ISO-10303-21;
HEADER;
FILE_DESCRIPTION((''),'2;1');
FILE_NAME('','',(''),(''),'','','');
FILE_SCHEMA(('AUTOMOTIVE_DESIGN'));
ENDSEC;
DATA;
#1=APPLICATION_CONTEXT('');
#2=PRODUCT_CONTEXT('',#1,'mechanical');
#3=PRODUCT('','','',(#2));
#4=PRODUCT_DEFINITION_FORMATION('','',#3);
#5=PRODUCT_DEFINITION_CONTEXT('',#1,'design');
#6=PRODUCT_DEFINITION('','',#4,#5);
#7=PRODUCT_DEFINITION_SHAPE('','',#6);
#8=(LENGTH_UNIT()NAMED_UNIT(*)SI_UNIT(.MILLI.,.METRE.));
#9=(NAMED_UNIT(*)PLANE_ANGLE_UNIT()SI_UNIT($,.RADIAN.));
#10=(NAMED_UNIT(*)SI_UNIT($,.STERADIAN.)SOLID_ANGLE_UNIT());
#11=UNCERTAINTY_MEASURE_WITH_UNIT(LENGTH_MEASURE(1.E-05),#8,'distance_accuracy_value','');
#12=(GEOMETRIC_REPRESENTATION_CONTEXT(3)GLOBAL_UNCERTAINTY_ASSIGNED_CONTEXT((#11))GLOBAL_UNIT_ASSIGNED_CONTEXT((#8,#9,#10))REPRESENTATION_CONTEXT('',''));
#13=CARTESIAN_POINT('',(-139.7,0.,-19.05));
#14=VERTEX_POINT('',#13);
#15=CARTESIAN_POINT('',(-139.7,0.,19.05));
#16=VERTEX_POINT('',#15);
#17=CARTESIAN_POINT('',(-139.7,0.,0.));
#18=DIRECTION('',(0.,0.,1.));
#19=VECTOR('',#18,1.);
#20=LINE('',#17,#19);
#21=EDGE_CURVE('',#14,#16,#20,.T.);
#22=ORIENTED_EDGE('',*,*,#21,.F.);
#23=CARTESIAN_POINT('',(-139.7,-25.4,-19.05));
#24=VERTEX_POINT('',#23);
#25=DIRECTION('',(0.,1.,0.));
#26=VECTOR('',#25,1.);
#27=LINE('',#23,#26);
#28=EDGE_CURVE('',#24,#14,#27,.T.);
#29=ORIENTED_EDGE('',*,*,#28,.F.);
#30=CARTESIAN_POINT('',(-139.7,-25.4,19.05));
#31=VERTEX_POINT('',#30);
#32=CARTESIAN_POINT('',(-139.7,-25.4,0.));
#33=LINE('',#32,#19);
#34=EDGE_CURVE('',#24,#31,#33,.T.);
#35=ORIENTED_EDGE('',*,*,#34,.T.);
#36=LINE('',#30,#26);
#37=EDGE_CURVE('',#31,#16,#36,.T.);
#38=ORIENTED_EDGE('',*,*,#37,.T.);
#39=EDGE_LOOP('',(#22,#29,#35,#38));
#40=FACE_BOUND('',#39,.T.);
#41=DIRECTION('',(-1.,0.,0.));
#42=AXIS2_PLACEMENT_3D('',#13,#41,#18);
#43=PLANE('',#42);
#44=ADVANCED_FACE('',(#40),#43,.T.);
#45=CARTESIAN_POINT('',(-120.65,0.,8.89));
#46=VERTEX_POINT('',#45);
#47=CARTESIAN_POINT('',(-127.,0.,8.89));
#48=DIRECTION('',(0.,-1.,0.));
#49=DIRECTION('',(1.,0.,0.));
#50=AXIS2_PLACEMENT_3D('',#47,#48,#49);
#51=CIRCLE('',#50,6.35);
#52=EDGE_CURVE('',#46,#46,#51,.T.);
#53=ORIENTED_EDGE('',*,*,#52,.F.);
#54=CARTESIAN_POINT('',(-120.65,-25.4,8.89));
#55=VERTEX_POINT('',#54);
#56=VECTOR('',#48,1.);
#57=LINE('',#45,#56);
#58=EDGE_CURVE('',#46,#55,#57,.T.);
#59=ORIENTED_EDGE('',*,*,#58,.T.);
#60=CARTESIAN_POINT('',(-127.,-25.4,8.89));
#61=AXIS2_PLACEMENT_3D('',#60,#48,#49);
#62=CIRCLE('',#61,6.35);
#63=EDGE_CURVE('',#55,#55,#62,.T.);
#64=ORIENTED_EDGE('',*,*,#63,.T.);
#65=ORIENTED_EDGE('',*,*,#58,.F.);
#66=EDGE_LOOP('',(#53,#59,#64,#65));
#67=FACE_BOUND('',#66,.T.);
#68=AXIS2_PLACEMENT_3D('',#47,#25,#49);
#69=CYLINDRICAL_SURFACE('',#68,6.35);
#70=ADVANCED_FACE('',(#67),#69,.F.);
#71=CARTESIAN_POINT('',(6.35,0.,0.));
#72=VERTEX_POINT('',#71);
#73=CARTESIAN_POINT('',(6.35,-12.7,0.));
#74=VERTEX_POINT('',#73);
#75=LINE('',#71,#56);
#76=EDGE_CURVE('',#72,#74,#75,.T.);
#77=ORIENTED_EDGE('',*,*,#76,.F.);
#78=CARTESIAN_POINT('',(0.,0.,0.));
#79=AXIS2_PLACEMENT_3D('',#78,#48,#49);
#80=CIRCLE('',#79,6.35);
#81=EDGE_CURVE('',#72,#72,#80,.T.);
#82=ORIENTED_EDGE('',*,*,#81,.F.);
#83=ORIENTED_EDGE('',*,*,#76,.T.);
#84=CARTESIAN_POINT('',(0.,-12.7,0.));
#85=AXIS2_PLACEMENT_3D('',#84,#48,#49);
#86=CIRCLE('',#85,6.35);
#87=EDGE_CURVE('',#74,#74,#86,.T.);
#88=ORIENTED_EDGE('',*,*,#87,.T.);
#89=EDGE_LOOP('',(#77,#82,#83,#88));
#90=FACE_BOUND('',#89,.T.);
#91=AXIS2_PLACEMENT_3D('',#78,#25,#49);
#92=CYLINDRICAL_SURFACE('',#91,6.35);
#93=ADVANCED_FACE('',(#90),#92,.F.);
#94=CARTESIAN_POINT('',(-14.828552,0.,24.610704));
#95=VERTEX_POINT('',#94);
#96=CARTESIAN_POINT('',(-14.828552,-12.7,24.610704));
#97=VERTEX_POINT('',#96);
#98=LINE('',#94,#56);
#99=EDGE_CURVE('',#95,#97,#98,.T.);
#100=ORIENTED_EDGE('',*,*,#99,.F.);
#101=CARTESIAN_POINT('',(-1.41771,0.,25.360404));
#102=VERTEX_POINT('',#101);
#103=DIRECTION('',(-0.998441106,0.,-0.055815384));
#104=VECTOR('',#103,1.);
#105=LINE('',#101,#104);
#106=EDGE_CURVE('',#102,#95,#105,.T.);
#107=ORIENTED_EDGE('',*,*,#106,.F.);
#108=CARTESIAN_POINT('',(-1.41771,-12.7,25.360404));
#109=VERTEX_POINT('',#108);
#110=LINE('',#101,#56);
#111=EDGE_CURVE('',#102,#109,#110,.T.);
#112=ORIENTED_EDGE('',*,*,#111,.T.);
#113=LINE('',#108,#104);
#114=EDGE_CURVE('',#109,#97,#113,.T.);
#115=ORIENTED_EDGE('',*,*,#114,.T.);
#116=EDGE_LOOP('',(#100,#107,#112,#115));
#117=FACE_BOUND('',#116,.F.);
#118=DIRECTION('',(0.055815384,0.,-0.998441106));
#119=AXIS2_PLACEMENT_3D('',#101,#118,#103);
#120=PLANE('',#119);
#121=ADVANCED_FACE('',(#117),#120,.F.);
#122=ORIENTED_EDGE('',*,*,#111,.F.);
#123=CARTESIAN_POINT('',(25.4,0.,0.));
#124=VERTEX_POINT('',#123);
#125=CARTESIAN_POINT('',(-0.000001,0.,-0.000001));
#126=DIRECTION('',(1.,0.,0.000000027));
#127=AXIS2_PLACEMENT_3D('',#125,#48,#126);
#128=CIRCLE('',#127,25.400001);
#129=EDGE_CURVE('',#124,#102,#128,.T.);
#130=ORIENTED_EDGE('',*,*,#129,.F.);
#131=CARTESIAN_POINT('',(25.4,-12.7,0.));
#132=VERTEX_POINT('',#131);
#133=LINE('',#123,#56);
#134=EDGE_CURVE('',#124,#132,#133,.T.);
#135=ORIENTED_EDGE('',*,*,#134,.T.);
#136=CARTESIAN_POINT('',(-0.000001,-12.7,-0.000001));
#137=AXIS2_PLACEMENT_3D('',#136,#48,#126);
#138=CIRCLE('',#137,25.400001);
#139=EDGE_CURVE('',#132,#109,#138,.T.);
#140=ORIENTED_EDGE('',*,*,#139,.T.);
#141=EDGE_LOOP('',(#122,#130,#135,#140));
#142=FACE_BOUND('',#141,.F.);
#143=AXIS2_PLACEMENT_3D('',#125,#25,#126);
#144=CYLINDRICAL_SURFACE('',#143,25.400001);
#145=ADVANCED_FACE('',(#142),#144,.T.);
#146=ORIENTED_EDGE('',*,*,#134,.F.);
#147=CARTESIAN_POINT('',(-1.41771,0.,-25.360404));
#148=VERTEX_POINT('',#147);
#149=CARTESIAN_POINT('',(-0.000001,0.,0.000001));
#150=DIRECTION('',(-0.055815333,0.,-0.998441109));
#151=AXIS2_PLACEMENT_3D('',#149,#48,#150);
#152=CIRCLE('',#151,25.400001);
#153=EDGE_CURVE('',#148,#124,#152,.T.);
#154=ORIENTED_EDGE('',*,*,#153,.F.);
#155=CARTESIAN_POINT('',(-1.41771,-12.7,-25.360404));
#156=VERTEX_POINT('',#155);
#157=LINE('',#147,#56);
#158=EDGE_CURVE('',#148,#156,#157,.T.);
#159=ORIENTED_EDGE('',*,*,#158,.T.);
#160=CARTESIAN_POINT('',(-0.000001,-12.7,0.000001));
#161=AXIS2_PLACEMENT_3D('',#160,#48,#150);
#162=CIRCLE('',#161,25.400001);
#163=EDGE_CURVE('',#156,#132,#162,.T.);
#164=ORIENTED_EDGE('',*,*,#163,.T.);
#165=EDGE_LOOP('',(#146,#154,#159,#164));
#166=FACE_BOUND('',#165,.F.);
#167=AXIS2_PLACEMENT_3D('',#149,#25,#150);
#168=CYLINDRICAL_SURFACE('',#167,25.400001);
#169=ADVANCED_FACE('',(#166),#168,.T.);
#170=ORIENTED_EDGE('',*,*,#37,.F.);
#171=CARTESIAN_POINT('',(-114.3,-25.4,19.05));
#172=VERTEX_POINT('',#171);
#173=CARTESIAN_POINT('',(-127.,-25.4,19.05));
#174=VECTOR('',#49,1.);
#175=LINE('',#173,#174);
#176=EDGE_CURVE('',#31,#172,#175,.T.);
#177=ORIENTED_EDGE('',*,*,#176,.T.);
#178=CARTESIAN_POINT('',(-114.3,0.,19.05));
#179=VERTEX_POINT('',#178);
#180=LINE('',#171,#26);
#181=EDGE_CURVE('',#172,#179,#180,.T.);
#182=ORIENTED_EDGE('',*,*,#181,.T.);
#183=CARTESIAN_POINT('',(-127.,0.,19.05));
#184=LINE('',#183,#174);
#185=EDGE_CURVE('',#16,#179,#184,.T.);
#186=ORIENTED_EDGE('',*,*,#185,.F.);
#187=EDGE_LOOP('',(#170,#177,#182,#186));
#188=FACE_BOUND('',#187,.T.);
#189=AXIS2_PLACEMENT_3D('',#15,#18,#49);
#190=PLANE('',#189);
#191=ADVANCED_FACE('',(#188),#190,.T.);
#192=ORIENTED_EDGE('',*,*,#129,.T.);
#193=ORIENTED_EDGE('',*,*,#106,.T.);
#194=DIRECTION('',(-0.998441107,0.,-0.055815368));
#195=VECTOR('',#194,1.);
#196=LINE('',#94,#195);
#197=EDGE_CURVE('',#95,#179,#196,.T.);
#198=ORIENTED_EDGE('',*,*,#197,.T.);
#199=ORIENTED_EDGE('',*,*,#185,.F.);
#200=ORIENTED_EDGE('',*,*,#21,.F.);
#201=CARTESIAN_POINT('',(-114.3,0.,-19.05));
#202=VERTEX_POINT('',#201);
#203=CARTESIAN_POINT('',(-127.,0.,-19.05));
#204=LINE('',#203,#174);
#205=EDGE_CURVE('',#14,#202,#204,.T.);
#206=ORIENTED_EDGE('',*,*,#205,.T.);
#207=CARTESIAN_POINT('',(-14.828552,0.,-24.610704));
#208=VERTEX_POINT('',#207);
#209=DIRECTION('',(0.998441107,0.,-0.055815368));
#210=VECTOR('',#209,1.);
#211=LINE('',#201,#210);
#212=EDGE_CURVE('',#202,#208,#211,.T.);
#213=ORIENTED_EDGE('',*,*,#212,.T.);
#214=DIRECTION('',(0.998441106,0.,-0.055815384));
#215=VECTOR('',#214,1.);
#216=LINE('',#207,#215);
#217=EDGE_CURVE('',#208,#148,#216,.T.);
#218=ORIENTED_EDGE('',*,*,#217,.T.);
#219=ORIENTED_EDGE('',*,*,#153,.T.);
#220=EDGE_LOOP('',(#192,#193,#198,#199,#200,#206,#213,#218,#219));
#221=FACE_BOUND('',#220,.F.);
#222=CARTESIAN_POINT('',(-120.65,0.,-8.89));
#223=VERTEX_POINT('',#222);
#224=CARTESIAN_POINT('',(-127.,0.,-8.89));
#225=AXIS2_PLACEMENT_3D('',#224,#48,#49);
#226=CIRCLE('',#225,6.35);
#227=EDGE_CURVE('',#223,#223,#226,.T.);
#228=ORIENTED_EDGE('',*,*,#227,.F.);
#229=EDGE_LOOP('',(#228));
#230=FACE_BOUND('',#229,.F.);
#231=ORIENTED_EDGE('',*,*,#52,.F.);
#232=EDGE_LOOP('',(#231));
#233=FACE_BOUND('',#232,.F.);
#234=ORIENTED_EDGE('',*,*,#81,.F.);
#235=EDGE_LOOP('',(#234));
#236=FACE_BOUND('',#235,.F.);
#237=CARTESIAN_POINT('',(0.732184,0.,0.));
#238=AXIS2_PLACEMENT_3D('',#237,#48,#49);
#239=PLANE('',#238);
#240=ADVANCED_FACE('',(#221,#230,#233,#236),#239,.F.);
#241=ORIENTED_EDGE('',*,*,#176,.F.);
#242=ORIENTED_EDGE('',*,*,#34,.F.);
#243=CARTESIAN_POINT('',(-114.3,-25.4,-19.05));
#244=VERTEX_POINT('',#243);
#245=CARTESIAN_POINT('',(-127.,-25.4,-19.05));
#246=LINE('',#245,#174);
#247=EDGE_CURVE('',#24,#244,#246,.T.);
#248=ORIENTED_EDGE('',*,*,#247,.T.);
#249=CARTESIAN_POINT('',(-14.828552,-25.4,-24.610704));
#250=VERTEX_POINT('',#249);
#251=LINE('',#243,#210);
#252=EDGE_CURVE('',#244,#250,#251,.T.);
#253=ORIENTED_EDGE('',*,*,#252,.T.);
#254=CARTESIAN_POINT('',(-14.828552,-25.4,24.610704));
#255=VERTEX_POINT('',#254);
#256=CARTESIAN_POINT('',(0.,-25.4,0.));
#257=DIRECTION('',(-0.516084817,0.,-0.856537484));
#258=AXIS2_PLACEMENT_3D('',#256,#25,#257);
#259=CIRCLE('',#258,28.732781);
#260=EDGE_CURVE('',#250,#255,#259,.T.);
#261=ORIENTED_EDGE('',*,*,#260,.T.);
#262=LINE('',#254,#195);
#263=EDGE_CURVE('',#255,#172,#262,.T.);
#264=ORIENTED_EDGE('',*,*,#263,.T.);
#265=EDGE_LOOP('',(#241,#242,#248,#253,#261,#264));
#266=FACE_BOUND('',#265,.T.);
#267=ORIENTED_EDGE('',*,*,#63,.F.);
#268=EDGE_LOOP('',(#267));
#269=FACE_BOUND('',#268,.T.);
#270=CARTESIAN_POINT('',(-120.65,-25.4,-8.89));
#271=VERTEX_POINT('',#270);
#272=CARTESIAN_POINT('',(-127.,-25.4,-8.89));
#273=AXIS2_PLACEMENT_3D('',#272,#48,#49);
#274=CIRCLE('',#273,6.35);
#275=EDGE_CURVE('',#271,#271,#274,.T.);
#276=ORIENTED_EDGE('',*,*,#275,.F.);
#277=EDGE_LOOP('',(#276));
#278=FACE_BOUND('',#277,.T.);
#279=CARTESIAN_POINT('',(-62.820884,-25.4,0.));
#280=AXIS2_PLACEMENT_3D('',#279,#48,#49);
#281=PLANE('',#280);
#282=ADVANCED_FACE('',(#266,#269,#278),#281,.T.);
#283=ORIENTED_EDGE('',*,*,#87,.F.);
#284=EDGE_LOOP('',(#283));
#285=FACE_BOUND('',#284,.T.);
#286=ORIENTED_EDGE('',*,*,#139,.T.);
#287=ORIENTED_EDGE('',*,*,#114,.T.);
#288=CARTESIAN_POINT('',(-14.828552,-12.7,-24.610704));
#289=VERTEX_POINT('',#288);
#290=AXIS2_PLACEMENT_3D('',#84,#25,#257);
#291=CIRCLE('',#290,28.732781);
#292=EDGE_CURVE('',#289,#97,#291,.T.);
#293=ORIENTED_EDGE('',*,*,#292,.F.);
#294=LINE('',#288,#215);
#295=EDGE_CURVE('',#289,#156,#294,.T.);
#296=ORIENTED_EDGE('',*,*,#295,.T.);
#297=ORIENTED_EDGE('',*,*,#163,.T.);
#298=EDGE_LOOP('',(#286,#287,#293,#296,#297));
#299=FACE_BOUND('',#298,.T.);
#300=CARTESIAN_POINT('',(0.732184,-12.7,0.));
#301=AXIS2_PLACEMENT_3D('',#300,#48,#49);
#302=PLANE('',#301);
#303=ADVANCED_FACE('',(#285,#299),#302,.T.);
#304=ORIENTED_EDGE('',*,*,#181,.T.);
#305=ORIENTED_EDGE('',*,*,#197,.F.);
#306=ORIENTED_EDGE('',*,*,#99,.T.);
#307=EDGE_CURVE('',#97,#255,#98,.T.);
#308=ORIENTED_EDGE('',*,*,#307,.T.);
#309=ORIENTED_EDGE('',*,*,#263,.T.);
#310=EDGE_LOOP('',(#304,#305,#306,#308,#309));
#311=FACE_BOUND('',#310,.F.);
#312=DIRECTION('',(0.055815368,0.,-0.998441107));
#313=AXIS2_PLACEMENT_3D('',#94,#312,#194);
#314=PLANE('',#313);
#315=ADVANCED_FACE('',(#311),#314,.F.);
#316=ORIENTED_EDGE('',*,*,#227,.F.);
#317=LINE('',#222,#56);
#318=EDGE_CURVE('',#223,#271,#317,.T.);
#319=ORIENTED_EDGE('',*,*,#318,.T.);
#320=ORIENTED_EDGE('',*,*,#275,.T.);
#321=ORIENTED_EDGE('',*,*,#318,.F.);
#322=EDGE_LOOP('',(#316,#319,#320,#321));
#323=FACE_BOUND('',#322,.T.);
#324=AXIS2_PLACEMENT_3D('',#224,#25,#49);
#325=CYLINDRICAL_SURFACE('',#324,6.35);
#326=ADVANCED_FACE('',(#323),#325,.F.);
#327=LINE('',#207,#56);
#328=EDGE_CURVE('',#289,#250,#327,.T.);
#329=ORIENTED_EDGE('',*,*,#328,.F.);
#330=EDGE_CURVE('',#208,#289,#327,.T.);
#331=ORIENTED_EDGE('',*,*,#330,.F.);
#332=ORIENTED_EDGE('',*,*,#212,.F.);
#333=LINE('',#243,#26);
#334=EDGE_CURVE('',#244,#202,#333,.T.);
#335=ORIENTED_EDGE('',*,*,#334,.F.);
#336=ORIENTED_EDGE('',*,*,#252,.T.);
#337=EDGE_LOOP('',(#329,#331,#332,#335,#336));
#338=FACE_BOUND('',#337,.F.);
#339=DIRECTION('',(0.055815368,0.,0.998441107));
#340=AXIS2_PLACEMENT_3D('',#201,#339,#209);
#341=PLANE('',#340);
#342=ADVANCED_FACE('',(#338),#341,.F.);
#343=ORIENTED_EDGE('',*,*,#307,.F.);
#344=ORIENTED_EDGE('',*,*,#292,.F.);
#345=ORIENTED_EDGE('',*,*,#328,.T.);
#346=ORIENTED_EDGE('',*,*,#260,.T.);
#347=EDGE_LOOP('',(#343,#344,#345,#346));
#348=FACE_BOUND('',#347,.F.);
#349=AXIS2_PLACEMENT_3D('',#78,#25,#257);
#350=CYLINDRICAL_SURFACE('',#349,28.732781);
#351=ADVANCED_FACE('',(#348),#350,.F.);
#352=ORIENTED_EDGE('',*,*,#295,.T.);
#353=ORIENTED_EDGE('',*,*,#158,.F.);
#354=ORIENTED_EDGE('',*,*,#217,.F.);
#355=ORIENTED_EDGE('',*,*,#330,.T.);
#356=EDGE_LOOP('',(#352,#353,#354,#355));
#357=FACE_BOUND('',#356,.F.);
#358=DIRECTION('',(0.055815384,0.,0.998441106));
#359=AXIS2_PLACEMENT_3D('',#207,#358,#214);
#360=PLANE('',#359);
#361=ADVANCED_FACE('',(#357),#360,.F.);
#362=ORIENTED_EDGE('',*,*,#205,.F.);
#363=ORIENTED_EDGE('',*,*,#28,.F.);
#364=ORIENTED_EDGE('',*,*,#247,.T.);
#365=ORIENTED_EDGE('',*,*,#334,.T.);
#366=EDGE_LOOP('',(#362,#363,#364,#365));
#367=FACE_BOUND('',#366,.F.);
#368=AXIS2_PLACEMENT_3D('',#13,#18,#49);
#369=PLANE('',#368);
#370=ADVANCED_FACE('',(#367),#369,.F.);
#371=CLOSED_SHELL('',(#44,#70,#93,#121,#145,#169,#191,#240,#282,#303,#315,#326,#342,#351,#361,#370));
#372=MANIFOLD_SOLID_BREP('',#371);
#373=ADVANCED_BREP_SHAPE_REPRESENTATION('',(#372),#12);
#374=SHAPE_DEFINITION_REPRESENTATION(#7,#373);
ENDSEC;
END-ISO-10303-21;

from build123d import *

# Parameters (mm, degrees)
F0_R     = 6.35
F0_W     = 25.4
F0_H     = 38.1
F1_DEPTH = 12.7
F2_DEPTH = 25.4


with BuildPart() as f1:
    # F0 (on Front) → F1 (new body)
    with BuildSketch(Plane.XZ):
        with BuildLine():
            ThreePointArc((-1.41771, -25.360404), (17.452079, -18.454943), (25.4, 0))
            ThreePointArc((25.4, 0), (17.452079, 18.454943), (-1.41771, 25.360404))
            ThreePointArc((-1.41771, 25.360404), (-25.4, 0), (-1.41771, -25.360404))
        make_face()
        Circle(F0_R, mode=Mode.SUBTRACT)
        with BuildLine():
            ThreePointArc((-1.41771, -25.360404), (-25.4, 0), (-1.41771, 25.360404))
            Line((-1.41771, 25.360404), (-14.828552, 24.610704))
            ThreePointArc((-14.828552, 24.610704), (-28.732781, 0), (-14.828552, -24.610704))
            Line((-14.828552, -24.610704), (-1.41771, -25.360404))
        make_face()
        with BuildLine():
            ThreePointArc((-14.828552, -24.610704), (-28.732781, 0), (-14.828552, 24.610704))
            Line((-14.828552, 24.610704), (-114.3, 19.05))
            Line((-114.3, 19.05), (-114.3, -19.05))
            Line((-114.3, -19.05), (-14.828552, -24.610704))
        make_face()
        with Locations((-127, 0)):
            Rectangle(F0_W, F0_H)
        with Locations((-127, -8.89)):
            Circle(F0_R, mode=Mode.SUBTRACT)
        with Locations((-127, 8.89)):
            Circle(F0_R, mode=Mode.SUBTRACT)
    extrude(amount=F1_DEPTH)

    # F0 (on Front) → F2 (join)
    with BuildSketch(Plane.XZ):
        with BuildLine():
            ThreePointArc((-14.828552, -24.610704), (-28.732781, 0), (-14.828552, 24.610704))
            Line((-14.828552, 24.610704), (-114.3, 19.05))
            Line((-114.3, 19.05), (-114.3, -19.05))
            Line((-114.3, -19.05), (-14.828552, -24.610704))
        make_face()
        with Locations((-127, 0)):
            Rectangle(F0_W, F0_H)
        with Locations((-127, -8.89)):
            Circle(F0_R, mode=Mode.SUBTRACT)
        with Locations((-127, 8.89)):
            Circle(F0_R, mode=Mode.SUBTRACT)
    extrude(amount=F2_DEPTH)


solid = f1.part
